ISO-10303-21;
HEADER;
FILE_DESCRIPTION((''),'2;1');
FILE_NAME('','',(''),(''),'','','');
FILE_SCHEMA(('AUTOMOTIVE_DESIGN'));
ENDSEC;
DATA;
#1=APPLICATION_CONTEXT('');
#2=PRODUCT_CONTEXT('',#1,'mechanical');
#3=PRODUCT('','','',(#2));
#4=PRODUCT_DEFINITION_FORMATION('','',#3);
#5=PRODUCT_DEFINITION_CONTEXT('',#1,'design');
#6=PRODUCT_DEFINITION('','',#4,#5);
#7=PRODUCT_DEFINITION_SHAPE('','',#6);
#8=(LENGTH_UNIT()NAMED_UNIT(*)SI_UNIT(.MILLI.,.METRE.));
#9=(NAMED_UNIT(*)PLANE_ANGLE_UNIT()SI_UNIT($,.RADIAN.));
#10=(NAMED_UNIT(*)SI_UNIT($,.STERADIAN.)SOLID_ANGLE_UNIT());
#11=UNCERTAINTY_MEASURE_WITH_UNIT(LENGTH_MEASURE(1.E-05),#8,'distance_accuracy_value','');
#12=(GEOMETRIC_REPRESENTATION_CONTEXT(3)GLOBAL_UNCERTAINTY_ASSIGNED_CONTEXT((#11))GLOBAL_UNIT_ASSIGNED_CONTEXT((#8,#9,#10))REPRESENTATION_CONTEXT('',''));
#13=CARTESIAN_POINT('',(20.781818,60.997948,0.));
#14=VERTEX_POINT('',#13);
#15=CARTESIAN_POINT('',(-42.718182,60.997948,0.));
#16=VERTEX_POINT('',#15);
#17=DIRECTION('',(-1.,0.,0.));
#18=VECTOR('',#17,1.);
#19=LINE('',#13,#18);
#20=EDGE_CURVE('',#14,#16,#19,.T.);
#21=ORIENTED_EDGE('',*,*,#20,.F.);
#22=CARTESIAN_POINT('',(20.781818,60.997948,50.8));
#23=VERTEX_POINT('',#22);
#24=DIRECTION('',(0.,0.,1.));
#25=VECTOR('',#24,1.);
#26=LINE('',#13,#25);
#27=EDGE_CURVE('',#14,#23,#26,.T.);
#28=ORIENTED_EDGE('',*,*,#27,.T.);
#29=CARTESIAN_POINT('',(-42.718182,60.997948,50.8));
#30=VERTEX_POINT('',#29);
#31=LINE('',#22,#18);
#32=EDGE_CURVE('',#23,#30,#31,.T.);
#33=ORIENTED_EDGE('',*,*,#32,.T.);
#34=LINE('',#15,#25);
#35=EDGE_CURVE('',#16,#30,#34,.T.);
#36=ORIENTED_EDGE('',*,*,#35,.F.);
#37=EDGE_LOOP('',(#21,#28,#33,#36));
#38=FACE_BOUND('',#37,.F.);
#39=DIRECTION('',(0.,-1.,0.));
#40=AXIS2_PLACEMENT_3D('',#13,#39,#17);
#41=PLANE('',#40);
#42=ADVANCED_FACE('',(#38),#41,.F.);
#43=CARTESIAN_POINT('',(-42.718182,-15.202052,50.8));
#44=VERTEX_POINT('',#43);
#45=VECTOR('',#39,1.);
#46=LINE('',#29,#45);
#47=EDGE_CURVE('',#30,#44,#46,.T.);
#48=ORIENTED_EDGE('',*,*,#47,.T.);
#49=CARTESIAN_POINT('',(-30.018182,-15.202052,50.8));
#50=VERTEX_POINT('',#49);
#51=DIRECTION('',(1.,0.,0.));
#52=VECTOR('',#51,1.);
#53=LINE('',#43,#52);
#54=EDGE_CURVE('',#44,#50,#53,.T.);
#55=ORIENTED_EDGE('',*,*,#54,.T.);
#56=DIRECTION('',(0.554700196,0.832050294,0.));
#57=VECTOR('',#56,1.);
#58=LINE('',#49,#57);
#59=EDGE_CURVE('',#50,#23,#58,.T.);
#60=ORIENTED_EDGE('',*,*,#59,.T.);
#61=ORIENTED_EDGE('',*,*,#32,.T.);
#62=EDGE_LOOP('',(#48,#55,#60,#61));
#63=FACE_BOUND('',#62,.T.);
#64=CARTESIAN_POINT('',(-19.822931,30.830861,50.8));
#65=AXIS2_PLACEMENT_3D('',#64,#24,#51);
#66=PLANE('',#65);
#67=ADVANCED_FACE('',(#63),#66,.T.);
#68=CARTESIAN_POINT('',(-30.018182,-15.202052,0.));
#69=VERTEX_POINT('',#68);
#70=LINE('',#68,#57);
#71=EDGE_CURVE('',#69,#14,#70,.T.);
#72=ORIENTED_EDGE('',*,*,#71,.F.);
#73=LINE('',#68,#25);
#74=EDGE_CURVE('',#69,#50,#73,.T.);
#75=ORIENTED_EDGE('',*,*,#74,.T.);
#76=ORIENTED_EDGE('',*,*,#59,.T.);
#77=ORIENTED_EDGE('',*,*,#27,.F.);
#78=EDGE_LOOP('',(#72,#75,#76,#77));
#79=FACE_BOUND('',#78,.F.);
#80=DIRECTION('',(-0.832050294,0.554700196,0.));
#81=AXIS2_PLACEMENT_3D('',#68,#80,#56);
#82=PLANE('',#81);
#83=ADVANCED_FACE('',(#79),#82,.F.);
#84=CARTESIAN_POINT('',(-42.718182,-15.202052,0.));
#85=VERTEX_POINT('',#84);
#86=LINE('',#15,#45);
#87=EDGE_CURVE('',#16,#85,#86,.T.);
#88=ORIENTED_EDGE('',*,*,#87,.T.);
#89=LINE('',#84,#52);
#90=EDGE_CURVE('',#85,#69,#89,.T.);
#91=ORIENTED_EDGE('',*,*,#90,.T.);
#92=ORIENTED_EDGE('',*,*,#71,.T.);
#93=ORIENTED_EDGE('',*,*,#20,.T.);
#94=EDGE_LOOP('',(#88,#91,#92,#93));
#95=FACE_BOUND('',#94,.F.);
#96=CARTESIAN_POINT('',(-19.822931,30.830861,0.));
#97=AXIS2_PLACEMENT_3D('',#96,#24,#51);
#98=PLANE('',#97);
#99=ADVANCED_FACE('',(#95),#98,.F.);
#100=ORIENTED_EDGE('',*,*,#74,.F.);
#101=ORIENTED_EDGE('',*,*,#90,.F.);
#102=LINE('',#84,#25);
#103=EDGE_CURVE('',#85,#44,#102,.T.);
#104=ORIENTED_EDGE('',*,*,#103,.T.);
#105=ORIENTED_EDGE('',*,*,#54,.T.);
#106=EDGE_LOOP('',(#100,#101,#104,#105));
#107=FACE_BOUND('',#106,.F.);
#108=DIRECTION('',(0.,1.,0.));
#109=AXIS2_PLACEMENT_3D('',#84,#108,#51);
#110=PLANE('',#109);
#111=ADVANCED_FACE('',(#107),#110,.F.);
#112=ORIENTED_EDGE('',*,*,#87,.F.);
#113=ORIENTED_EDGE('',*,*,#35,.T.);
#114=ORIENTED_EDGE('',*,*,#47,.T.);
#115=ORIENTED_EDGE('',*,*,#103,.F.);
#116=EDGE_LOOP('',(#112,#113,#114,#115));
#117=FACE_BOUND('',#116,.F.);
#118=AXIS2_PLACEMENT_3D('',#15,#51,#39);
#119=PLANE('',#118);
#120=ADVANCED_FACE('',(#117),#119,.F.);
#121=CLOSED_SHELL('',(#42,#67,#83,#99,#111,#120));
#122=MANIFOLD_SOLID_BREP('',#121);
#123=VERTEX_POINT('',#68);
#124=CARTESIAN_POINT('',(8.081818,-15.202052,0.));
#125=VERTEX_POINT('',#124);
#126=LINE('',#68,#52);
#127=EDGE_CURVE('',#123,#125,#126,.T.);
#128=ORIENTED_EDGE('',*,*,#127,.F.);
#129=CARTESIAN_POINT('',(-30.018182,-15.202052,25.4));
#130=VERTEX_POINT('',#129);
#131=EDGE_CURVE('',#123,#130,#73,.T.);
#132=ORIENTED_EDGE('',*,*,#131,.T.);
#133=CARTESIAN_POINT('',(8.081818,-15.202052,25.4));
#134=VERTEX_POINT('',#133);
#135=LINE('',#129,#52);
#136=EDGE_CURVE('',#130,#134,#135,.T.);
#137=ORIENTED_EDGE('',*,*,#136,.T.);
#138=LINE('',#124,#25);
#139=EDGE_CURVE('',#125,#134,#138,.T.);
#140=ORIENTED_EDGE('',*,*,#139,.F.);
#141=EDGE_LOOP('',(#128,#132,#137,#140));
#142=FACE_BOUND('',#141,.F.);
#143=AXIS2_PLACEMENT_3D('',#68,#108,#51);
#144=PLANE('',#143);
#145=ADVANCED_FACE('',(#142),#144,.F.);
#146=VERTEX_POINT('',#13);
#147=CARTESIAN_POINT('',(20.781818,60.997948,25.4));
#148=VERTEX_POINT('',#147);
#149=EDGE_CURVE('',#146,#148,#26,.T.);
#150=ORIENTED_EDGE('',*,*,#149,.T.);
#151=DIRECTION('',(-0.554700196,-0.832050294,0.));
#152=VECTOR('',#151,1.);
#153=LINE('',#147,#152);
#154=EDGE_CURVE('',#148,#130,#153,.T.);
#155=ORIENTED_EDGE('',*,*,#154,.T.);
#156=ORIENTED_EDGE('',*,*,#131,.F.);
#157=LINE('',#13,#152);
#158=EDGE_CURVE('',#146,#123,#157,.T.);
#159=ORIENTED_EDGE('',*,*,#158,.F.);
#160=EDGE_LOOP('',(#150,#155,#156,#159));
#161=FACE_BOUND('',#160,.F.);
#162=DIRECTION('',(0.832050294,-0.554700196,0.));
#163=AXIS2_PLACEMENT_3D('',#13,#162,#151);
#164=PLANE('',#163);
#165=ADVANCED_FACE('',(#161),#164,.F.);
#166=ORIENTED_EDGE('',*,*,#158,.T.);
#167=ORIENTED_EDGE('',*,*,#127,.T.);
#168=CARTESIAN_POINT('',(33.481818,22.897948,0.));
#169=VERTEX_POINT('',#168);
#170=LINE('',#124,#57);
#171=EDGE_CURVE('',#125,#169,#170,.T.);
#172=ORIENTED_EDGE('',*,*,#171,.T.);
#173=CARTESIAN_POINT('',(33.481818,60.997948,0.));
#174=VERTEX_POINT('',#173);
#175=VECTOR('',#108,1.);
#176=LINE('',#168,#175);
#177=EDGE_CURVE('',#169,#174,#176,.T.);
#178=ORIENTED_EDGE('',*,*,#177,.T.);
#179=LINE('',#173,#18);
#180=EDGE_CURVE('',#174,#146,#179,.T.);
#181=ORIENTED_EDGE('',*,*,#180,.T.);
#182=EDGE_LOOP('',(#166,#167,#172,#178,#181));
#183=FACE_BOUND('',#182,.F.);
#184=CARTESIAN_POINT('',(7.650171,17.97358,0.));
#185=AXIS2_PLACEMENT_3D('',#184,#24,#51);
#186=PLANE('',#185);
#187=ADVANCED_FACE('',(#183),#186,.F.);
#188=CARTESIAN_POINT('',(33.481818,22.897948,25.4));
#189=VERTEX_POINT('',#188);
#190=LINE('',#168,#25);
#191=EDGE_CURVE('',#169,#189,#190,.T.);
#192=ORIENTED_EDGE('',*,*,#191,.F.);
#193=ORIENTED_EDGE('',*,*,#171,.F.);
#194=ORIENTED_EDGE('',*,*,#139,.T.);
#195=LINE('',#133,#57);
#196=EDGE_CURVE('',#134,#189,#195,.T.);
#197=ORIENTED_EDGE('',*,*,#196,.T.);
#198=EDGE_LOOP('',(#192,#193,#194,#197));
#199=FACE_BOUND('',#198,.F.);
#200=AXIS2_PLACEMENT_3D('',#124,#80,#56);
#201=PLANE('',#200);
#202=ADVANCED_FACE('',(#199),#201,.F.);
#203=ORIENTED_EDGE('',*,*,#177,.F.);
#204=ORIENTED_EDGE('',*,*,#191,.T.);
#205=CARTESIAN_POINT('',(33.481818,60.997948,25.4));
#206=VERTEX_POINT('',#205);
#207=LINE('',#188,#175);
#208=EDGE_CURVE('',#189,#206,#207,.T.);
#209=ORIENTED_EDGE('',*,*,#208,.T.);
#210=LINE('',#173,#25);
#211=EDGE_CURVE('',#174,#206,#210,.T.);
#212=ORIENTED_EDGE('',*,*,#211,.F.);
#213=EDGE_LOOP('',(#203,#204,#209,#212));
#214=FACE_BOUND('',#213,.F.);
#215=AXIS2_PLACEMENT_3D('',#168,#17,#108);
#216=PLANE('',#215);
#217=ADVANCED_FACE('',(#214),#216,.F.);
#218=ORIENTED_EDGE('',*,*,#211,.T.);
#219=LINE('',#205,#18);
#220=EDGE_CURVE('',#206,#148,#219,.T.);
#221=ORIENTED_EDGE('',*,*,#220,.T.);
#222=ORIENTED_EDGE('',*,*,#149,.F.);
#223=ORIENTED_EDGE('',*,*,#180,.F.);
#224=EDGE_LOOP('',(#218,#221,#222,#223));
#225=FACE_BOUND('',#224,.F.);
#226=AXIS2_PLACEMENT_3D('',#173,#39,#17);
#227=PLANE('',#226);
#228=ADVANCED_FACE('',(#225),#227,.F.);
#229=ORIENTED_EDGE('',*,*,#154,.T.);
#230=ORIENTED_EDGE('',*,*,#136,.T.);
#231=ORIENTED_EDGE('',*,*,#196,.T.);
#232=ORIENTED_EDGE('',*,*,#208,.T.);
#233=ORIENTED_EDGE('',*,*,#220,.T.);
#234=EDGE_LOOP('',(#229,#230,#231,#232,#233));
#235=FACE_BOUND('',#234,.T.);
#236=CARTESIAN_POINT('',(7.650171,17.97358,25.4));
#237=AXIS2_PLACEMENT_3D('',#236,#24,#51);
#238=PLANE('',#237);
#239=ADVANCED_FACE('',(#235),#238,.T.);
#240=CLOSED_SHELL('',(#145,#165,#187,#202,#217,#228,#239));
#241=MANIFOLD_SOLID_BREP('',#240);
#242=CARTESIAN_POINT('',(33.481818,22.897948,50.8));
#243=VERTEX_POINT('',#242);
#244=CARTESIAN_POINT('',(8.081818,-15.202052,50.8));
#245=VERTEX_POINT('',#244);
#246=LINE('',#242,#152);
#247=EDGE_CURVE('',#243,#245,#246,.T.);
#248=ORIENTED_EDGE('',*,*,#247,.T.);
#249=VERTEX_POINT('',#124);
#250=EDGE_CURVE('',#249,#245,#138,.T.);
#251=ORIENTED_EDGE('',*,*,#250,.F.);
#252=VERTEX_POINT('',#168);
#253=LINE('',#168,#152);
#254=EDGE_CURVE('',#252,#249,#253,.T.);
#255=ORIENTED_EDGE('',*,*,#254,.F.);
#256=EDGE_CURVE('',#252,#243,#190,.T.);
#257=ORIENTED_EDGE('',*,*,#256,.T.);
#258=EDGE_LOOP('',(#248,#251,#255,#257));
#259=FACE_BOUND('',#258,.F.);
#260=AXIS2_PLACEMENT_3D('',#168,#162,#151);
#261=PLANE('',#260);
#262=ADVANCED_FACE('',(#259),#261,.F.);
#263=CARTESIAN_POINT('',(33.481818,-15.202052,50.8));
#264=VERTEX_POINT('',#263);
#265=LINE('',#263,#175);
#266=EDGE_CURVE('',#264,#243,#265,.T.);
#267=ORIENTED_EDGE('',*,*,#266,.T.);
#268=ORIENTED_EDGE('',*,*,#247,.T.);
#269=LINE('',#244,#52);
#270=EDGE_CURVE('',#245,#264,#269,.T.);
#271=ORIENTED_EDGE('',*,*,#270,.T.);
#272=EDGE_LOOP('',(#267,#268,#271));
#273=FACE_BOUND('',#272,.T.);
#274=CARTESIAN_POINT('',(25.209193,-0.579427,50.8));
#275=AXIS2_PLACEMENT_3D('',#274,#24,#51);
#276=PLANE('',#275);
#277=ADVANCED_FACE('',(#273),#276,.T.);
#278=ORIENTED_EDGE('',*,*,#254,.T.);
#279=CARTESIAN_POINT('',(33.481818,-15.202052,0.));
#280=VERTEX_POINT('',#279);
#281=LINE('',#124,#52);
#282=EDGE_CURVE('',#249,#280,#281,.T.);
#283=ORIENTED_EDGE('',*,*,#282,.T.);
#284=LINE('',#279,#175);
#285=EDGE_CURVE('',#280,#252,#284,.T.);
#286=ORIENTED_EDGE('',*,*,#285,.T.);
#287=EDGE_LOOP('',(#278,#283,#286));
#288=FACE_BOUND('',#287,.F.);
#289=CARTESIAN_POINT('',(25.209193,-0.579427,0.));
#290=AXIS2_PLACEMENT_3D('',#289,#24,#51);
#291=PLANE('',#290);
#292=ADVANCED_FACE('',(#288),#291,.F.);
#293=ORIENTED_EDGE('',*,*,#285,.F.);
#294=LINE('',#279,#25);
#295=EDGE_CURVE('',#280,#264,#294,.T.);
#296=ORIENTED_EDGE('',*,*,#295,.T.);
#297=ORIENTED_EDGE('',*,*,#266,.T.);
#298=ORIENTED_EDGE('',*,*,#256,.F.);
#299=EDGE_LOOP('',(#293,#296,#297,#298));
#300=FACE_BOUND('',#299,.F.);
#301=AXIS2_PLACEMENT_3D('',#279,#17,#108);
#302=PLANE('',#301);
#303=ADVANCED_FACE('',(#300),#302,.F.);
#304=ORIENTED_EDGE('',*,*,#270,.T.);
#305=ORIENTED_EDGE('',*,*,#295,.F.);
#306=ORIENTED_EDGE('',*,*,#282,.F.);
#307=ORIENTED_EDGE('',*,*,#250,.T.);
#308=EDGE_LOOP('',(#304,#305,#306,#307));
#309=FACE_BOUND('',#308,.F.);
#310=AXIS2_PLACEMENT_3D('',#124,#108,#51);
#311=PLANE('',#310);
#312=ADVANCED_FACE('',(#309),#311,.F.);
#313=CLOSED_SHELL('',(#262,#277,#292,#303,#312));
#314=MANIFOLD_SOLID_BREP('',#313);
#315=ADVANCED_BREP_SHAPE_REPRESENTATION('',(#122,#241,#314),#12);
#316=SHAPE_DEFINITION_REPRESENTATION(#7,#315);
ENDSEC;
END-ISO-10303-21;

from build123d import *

# Parameters (mm, degrees)
F1_DEPTH = 50.8
F2_DEPTH = 25.4


with BuildPart() as f1:
    # F0 (on Top) → F1 (new body)
    with BuildSketch(Plane.XY):
        Polygon((33.481818, 22.897948), (8.081818, -15.202052), (33.481818, -15.202052), align=None)
        Polygon((-42.718182, 60.997948), (-42.718182, -15.202052), (-30.018182, -15.202052), (20.781818, 60.997948), align=None)
    extrude(amount=F1_DEPTH)


with BuildPart() as f2:
    # F0 (on Top) → F2 (new body)
    with BuildSketch(Plane.XY):
        Polygon((20.781818, 60.997948), (-30.018182, -15.202052), (8.081818, -15.202052), (33.481818, 22.897948), (33.481818, 60.997948), align=None)
    extrude(amount=F2_DEPTH)


solid = Compound([f1.part, f2.part])
